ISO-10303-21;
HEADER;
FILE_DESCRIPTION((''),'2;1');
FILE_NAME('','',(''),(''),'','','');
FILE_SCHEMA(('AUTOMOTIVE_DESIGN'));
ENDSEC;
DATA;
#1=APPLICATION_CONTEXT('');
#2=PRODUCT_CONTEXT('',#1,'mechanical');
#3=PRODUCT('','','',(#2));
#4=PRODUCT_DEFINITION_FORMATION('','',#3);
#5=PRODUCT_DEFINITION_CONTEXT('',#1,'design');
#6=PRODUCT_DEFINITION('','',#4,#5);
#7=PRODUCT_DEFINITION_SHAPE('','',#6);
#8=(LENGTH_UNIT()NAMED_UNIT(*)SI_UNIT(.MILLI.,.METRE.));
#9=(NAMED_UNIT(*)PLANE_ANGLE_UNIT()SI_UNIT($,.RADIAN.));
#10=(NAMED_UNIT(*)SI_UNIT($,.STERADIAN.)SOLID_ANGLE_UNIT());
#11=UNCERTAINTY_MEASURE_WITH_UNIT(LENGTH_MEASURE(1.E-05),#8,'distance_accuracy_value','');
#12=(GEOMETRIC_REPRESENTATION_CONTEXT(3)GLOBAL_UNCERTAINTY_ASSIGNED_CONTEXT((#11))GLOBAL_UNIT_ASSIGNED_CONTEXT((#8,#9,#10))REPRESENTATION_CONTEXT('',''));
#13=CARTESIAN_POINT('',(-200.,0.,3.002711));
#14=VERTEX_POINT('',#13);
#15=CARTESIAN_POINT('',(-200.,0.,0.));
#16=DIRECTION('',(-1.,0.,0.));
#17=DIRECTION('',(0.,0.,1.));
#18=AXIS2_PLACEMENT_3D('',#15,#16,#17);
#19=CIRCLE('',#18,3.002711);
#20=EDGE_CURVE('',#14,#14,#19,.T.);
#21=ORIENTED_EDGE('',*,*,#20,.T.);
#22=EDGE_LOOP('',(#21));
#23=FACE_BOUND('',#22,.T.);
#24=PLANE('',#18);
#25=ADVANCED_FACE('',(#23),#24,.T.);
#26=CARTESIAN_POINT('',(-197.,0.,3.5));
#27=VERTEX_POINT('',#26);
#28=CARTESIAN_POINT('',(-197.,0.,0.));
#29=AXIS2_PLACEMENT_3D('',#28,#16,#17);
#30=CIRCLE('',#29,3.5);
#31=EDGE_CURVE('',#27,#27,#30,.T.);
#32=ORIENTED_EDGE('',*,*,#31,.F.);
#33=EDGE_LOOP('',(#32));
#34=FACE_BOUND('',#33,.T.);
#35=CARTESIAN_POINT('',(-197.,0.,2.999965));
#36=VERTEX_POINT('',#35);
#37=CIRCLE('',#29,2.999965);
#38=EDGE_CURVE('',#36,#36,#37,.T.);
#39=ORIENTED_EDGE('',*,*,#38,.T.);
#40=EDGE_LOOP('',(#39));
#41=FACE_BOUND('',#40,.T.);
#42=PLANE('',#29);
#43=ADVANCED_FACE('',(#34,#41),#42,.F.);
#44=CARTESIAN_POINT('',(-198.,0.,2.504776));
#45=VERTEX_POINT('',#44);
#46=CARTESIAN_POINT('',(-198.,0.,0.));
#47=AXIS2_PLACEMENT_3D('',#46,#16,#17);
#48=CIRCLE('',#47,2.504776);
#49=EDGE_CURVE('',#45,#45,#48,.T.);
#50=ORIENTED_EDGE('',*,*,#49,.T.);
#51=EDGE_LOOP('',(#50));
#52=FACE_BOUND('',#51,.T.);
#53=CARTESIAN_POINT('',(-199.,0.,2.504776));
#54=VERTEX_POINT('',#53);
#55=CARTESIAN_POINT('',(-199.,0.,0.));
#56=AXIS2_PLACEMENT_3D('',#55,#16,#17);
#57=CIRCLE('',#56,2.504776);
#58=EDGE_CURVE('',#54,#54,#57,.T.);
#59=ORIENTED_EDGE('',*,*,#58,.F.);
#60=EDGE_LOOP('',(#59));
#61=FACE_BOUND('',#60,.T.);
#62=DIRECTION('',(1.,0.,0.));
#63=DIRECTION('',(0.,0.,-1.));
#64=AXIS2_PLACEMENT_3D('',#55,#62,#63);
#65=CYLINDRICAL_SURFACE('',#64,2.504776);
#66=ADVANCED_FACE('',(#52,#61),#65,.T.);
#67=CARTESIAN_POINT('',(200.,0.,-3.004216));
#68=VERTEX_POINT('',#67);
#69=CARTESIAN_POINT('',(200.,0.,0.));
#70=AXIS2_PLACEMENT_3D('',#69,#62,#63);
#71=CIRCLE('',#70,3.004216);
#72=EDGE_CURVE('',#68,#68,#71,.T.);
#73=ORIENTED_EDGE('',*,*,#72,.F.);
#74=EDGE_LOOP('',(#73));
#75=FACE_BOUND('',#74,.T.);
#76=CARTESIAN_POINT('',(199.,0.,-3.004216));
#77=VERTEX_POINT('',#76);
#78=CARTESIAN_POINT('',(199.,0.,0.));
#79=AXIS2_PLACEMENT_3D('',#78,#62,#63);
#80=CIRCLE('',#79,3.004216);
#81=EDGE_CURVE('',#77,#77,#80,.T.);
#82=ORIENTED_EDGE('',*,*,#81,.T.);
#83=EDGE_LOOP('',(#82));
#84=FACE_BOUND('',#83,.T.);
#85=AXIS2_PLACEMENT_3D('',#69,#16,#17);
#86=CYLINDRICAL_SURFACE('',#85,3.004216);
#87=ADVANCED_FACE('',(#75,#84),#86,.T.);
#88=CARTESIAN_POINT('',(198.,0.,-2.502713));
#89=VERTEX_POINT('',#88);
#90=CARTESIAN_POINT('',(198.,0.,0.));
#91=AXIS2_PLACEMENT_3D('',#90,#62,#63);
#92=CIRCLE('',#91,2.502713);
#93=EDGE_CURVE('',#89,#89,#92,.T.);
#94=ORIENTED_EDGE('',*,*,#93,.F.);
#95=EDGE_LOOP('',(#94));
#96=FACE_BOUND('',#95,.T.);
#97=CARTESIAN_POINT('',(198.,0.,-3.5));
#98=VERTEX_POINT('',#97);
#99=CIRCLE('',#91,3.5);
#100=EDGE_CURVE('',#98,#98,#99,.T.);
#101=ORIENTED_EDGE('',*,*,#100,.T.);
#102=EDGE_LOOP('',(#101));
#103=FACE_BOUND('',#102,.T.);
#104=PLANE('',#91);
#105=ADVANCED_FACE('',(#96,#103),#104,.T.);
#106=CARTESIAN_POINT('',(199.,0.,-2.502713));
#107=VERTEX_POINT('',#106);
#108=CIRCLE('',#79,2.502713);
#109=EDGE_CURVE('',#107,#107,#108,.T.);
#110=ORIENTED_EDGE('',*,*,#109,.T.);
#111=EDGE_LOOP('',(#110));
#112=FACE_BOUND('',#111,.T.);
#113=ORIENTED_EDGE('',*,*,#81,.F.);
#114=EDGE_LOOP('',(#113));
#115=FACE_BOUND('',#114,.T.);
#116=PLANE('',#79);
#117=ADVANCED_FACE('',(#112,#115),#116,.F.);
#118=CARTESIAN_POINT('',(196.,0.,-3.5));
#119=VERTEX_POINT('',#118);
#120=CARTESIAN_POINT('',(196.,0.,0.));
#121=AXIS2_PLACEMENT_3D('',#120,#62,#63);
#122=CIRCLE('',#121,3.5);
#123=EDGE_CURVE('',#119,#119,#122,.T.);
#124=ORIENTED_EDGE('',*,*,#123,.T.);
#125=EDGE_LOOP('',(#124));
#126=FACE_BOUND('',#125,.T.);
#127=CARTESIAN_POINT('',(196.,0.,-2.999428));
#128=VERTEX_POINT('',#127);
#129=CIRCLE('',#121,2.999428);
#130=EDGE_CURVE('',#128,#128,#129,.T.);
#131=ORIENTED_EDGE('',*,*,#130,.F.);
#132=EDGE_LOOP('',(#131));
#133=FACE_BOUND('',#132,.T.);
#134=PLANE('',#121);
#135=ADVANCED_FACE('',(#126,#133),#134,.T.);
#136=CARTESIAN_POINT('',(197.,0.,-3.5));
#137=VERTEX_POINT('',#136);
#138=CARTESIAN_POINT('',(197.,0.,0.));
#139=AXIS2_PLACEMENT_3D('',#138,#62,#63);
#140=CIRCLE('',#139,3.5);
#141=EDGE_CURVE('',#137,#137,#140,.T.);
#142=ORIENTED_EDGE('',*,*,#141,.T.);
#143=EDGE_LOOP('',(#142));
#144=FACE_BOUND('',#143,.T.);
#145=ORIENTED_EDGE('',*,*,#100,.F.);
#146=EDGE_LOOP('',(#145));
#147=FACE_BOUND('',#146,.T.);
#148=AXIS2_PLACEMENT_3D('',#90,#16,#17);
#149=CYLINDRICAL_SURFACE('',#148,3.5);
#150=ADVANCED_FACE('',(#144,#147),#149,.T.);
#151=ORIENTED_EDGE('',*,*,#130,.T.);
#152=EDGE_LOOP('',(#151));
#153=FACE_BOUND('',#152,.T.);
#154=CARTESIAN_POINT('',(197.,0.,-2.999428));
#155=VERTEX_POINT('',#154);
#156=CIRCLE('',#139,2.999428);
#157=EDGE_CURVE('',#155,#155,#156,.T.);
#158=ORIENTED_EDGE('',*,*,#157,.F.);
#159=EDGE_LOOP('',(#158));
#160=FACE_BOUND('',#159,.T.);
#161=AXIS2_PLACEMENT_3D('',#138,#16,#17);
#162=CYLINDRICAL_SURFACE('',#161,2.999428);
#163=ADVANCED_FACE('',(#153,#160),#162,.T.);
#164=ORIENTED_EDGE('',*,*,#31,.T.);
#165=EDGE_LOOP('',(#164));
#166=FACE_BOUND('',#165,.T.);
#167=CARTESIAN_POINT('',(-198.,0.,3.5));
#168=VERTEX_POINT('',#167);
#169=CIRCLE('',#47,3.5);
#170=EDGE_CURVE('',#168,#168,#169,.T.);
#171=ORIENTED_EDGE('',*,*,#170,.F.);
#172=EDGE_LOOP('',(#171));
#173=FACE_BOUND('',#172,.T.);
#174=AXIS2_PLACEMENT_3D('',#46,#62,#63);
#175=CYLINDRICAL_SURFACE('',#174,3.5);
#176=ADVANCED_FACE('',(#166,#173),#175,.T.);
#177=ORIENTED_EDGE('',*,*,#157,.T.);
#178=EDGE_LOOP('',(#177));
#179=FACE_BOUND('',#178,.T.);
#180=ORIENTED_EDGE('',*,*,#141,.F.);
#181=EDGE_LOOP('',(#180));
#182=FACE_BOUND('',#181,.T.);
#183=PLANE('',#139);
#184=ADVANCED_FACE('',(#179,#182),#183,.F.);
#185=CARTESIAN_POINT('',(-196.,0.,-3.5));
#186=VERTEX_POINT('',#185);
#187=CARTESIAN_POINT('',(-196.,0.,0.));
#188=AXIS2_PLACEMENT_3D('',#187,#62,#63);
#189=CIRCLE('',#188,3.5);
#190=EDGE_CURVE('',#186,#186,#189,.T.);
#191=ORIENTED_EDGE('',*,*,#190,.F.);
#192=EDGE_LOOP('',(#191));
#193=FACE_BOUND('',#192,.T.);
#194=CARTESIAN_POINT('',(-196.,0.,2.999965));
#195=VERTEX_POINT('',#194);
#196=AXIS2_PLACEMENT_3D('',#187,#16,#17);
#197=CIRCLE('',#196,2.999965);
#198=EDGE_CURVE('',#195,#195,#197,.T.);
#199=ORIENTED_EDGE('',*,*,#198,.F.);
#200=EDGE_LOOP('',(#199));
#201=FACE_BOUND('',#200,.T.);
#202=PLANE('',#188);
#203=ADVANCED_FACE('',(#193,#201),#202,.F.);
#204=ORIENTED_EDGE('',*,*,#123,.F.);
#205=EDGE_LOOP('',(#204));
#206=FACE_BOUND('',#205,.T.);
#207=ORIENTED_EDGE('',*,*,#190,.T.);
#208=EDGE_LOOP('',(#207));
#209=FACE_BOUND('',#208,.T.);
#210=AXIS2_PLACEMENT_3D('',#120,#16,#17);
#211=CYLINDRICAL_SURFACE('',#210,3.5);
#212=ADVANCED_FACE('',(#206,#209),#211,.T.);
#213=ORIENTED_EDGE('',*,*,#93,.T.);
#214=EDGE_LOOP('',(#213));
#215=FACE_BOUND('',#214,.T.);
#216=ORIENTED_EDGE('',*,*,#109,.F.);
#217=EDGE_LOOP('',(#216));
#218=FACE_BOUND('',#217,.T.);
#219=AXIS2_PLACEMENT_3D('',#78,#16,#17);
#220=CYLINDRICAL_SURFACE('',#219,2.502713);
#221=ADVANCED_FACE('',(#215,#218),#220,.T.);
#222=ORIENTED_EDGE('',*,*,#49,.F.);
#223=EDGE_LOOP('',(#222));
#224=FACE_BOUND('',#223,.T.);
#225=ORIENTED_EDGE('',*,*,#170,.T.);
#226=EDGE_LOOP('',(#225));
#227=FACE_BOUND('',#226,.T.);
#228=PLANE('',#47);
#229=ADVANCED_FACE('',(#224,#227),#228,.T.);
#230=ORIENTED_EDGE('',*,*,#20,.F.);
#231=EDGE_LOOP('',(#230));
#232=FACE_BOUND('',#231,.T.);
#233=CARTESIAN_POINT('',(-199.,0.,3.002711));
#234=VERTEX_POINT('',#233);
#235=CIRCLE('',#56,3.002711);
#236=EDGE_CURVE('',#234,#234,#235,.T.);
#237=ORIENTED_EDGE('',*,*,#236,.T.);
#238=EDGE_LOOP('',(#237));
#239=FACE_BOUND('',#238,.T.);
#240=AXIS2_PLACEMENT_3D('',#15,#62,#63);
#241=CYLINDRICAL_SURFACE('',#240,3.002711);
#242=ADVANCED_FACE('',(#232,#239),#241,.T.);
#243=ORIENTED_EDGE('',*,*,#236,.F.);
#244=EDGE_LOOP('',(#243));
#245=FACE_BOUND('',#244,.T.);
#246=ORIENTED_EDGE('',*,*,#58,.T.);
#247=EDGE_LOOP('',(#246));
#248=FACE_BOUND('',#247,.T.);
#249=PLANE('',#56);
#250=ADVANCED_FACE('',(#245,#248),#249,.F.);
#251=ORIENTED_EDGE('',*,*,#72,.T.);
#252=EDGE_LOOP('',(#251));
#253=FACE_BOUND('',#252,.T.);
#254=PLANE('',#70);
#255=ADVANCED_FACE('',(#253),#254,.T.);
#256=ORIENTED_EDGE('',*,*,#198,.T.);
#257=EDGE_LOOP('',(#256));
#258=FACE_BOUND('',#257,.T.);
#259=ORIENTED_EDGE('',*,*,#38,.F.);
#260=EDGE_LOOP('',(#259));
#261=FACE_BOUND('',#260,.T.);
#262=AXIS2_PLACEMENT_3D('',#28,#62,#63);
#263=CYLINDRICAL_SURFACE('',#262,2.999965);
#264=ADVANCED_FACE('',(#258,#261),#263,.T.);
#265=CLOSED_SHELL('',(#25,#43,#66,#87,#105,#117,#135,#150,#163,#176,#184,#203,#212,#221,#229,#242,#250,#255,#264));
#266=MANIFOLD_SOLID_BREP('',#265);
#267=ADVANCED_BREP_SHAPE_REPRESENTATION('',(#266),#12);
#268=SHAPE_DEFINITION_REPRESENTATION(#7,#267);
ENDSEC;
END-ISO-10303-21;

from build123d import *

# Parameters (mm, degrees)
SKETCH1_R            = 3.5
BOSS_EXTRUDE1_DEPTH  = 196
SKETCH6_R            = 2.999428485
BOSS_EXTRUDE4_DEPTH  = 1
BOSS_EXTRUDE5_START  = 1
SKETCH7_R            = 3.5
BOSS_EXTRUDE5_DEPTH  = 1
SKETCH8_R            = 2.50271342
BOSS_EXTRUDE6_DEPTH  = 1
SKETCH9_R            = 3.004216162
BOSS_EXTRUDE7_DEPTH  = 1
SKETCH10_R           = 2.999964983
BOSS_EXTRUDE8_DEPTH  = 1
SKETCH11_R           = 3.5
BOSS_EXTRUDE9_DEPTH  = 1
SKETCH12_R           = 2.504776308
BOSS_EXTRUDE10_DEPTH = 1
SKETCH13_R           = 3.002711456
BOSS_EXTRUDE11_DEPTH = 1


with BuildPart() as part:
    # Sketch1 → Boss-Extrude1 (new, symmetric)
    with BuildSketch(Plane(origin=(0, 0, 0), x_dir=(0, 0, -1), z_dir=(1, 0, 0))):
        Circle(SKETCH1_R)
    extrude(amount=BOSS_EXTRUDE1_DEPTH, both=True)

    # Sketch6 → Boss-Extrude4 (add)
    with BuildSketch(Plane(origin=(196, 0, 0), x_dir=(0, 0, -1), z_dir=(1, 0, 0))):
        Circle(SKETCH6_R)
    extrude(amount=BOSS_EXTRUDE4_DEPTH)

    # Sketch7 → Boss-Extrude5 (add)
    with BuildSketch(Plane(origin=(197, 0, 0), x_dir=(0, 0, -1), z_dir=(1, 0, 0)).offset(BOSS_EXTRUDE5_START)):
        Circle(SKETCH7_R)
    extrude(amount=-BOSS_EXTRUDE5_DEPTH)

    # Sketch8 → Boss-Extrude6 (add)
    with BuildSketch(Plane(origin=(198, 0, 0), x_dir=(0, 0, -1), z_dir=(1, 0, 0))):
        Circle(SKETCH8_R)
    extrude(amount=BOSS_EXTRUDE6_DEPTH)

    # Sketch9 → Boss-Extrude7 (add)
    with BuildSketch(Plane(origin=(199, 0, 0), x_dir=(0, 0, -1), z_dir=(1, 0, 0))):
        Circle(SKETCH9_R)
    extrude(amount=BOSS_EXTRUDE7_DEPTH)

    # Sketch10 → Boss-Extrude8 (add)
    with BuildSketch(Plane.ZY.offset(196)):
        Circle(SKETCH10_R)
    extrude(amount=BOSS_EXTRUDE8_DEPTH)

    # Sketch11 → Boss-Extrude9 (add)
    with BuildSketch(Plane.ZY.offset(197)):
        with Locations(Location((0, 0, 0), (0, 0, 180))):
            Circle(SKETCH11_R)
    extrude(amount=BOSS_EXTRUDE9_DEPTH)

    # Sketch12 → Boss-Extrude10 (add)
    with BuildSketch(Plane.ZY.offset(198)):
        Circle(SKETCH12_R)
    extrude(amount=BOSS_EXTRUDE10_DEPTH)

    # Sketch13 → Boss-Extrude11 (add)
    with BuildSketch(Plane.ZY.offset(199)):
        Circle(SKETCH13_R)
    extrude(amount=BOSS_EXTRUDE11_DEPTH)


solid = part.part
